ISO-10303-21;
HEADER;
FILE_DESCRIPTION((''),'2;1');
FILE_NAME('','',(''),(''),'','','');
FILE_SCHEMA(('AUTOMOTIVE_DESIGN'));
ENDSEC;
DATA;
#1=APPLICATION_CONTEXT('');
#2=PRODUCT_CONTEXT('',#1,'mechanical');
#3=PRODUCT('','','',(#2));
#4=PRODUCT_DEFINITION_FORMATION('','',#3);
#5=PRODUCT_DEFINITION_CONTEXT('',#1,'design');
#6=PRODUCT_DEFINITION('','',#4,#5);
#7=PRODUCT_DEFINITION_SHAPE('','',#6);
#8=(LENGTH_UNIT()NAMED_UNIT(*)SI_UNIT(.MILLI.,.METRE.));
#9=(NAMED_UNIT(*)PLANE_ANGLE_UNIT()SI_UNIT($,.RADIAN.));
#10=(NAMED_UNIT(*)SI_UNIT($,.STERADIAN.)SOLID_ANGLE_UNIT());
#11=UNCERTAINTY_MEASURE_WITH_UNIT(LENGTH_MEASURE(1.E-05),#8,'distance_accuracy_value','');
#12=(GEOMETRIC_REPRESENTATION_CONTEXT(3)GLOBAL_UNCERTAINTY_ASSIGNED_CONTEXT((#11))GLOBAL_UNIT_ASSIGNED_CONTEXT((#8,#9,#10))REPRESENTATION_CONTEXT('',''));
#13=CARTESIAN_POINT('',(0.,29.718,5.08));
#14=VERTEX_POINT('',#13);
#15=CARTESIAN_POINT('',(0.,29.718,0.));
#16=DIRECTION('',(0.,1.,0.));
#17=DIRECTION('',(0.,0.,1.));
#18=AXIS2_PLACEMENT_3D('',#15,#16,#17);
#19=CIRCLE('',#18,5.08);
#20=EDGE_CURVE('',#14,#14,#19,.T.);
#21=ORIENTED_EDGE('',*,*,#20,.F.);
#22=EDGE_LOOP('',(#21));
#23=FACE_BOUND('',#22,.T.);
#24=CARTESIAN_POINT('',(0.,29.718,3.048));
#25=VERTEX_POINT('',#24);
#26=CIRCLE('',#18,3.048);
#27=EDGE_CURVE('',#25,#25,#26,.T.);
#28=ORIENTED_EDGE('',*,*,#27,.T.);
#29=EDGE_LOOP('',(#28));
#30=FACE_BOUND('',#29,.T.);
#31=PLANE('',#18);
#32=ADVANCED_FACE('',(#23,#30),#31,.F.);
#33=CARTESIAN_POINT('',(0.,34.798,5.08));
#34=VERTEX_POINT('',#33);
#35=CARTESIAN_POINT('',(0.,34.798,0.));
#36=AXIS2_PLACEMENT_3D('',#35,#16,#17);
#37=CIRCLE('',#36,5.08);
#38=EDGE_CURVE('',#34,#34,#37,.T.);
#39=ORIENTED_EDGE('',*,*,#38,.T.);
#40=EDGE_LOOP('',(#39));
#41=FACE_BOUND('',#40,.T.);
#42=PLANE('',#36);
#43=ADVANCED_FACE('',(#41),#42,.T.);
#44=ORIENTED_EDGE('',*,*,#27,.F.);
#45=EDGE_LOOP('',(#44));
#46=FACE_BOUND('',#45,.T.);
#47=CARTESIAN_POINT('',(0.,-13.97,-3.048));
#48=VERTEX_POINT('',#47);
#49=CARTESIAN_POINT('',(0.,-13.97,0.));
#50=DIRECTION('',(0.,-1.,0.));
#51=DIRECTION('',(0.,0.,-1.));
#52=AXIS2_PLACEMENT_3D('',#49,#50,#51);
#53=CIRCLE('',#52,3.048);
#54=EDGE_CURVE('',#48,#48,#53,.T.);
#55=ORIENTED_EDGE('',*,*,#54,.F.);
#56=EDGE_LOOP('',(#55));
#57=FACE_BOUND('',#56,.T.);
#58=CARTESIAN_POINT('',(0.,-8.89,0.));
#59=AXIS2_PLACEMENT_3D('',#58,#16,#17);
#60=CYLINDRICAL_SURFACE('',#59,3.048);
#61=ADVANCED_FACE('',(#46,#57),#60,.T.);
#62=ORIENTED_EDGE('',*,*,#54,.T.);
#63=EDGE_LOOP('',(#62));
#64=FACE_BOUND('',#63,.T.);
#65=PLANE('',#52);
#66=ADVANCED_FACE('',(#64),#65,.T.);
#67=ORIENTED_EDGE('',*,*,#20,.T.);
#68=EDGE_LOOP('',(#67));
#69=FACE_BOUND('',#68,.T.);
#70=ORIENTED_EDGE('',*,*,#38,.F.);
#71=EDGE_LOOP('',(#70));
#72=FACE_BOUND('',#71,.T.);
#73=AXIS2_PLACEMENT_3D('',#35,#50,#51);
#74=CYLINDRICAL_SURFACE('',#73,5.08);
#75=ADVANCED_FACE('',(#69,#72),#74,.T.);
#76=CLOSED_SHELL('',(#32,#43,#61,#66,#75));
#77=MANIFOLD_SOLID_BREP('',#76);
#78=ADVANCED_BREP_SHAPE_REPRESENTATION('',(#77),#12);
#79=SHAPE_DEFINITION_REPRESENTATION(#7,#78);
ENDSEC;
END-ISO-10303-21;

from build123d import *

# Parameters (mm, degrees)
BOSS_EXTRUDE1_DEPTH      = 29.718
BOSS_EXTRUDE1_DEPTH_BACK = 8.89
SKETCH2_R                = 3.048
SKETCH3_R                = 5.08
BOSS_EXTRUDE2_DEPTH      = 5.08
SKETCH4_R                = 3.048
BOSS_EXTRUDE3_DEPTH      = 5.08


with BuildPart() as part:
    # Sketch2 → Boss-Extrude1 (new, two sides: drawn at the far end of the back side and taken through both)
    with BuildSketch(Plane(origin=(0, 0, 0), x_dir=(1, 0, 0), z_dir=(0, 1, 0)).offset(-BOSS_EXTRUDE1_DEPTH_BACK)):
        with Locations(Location((0, 0, 0), (0, 0, 270))):
            Circle(SKETCH2_R)
    extrude(amount=BOSS_EXTRUDE1_DEPTH + BOSS_EXTRUDE1_DEPTH_BACK)

    # Sketch3 → Boss-Extrude2 (add)
    with BuildSketch(Plane(origin=(0, 29.718, 0), x_dir=(1, 0, 0), z_dir=(0, 1, 0))):
        with Locations(Location((0, 0, 0), (0, 0, 270))):
            Circle(SKETCH3_R)
    extrude(amount=BOSS_EXTRUDE2_DEPTH)

    # Sketch4 → Boss-Extrude3 (add)
    with BuildSketch(Plane.XZ.offset(8.89)):
        with Locations(Location((0, 0, 0), (0, 0, 90))):
            Circle(SKETCH4_R)
    extrude(amount=BOSS_EXTRUDE3_DEPTH)


solid = part.part
